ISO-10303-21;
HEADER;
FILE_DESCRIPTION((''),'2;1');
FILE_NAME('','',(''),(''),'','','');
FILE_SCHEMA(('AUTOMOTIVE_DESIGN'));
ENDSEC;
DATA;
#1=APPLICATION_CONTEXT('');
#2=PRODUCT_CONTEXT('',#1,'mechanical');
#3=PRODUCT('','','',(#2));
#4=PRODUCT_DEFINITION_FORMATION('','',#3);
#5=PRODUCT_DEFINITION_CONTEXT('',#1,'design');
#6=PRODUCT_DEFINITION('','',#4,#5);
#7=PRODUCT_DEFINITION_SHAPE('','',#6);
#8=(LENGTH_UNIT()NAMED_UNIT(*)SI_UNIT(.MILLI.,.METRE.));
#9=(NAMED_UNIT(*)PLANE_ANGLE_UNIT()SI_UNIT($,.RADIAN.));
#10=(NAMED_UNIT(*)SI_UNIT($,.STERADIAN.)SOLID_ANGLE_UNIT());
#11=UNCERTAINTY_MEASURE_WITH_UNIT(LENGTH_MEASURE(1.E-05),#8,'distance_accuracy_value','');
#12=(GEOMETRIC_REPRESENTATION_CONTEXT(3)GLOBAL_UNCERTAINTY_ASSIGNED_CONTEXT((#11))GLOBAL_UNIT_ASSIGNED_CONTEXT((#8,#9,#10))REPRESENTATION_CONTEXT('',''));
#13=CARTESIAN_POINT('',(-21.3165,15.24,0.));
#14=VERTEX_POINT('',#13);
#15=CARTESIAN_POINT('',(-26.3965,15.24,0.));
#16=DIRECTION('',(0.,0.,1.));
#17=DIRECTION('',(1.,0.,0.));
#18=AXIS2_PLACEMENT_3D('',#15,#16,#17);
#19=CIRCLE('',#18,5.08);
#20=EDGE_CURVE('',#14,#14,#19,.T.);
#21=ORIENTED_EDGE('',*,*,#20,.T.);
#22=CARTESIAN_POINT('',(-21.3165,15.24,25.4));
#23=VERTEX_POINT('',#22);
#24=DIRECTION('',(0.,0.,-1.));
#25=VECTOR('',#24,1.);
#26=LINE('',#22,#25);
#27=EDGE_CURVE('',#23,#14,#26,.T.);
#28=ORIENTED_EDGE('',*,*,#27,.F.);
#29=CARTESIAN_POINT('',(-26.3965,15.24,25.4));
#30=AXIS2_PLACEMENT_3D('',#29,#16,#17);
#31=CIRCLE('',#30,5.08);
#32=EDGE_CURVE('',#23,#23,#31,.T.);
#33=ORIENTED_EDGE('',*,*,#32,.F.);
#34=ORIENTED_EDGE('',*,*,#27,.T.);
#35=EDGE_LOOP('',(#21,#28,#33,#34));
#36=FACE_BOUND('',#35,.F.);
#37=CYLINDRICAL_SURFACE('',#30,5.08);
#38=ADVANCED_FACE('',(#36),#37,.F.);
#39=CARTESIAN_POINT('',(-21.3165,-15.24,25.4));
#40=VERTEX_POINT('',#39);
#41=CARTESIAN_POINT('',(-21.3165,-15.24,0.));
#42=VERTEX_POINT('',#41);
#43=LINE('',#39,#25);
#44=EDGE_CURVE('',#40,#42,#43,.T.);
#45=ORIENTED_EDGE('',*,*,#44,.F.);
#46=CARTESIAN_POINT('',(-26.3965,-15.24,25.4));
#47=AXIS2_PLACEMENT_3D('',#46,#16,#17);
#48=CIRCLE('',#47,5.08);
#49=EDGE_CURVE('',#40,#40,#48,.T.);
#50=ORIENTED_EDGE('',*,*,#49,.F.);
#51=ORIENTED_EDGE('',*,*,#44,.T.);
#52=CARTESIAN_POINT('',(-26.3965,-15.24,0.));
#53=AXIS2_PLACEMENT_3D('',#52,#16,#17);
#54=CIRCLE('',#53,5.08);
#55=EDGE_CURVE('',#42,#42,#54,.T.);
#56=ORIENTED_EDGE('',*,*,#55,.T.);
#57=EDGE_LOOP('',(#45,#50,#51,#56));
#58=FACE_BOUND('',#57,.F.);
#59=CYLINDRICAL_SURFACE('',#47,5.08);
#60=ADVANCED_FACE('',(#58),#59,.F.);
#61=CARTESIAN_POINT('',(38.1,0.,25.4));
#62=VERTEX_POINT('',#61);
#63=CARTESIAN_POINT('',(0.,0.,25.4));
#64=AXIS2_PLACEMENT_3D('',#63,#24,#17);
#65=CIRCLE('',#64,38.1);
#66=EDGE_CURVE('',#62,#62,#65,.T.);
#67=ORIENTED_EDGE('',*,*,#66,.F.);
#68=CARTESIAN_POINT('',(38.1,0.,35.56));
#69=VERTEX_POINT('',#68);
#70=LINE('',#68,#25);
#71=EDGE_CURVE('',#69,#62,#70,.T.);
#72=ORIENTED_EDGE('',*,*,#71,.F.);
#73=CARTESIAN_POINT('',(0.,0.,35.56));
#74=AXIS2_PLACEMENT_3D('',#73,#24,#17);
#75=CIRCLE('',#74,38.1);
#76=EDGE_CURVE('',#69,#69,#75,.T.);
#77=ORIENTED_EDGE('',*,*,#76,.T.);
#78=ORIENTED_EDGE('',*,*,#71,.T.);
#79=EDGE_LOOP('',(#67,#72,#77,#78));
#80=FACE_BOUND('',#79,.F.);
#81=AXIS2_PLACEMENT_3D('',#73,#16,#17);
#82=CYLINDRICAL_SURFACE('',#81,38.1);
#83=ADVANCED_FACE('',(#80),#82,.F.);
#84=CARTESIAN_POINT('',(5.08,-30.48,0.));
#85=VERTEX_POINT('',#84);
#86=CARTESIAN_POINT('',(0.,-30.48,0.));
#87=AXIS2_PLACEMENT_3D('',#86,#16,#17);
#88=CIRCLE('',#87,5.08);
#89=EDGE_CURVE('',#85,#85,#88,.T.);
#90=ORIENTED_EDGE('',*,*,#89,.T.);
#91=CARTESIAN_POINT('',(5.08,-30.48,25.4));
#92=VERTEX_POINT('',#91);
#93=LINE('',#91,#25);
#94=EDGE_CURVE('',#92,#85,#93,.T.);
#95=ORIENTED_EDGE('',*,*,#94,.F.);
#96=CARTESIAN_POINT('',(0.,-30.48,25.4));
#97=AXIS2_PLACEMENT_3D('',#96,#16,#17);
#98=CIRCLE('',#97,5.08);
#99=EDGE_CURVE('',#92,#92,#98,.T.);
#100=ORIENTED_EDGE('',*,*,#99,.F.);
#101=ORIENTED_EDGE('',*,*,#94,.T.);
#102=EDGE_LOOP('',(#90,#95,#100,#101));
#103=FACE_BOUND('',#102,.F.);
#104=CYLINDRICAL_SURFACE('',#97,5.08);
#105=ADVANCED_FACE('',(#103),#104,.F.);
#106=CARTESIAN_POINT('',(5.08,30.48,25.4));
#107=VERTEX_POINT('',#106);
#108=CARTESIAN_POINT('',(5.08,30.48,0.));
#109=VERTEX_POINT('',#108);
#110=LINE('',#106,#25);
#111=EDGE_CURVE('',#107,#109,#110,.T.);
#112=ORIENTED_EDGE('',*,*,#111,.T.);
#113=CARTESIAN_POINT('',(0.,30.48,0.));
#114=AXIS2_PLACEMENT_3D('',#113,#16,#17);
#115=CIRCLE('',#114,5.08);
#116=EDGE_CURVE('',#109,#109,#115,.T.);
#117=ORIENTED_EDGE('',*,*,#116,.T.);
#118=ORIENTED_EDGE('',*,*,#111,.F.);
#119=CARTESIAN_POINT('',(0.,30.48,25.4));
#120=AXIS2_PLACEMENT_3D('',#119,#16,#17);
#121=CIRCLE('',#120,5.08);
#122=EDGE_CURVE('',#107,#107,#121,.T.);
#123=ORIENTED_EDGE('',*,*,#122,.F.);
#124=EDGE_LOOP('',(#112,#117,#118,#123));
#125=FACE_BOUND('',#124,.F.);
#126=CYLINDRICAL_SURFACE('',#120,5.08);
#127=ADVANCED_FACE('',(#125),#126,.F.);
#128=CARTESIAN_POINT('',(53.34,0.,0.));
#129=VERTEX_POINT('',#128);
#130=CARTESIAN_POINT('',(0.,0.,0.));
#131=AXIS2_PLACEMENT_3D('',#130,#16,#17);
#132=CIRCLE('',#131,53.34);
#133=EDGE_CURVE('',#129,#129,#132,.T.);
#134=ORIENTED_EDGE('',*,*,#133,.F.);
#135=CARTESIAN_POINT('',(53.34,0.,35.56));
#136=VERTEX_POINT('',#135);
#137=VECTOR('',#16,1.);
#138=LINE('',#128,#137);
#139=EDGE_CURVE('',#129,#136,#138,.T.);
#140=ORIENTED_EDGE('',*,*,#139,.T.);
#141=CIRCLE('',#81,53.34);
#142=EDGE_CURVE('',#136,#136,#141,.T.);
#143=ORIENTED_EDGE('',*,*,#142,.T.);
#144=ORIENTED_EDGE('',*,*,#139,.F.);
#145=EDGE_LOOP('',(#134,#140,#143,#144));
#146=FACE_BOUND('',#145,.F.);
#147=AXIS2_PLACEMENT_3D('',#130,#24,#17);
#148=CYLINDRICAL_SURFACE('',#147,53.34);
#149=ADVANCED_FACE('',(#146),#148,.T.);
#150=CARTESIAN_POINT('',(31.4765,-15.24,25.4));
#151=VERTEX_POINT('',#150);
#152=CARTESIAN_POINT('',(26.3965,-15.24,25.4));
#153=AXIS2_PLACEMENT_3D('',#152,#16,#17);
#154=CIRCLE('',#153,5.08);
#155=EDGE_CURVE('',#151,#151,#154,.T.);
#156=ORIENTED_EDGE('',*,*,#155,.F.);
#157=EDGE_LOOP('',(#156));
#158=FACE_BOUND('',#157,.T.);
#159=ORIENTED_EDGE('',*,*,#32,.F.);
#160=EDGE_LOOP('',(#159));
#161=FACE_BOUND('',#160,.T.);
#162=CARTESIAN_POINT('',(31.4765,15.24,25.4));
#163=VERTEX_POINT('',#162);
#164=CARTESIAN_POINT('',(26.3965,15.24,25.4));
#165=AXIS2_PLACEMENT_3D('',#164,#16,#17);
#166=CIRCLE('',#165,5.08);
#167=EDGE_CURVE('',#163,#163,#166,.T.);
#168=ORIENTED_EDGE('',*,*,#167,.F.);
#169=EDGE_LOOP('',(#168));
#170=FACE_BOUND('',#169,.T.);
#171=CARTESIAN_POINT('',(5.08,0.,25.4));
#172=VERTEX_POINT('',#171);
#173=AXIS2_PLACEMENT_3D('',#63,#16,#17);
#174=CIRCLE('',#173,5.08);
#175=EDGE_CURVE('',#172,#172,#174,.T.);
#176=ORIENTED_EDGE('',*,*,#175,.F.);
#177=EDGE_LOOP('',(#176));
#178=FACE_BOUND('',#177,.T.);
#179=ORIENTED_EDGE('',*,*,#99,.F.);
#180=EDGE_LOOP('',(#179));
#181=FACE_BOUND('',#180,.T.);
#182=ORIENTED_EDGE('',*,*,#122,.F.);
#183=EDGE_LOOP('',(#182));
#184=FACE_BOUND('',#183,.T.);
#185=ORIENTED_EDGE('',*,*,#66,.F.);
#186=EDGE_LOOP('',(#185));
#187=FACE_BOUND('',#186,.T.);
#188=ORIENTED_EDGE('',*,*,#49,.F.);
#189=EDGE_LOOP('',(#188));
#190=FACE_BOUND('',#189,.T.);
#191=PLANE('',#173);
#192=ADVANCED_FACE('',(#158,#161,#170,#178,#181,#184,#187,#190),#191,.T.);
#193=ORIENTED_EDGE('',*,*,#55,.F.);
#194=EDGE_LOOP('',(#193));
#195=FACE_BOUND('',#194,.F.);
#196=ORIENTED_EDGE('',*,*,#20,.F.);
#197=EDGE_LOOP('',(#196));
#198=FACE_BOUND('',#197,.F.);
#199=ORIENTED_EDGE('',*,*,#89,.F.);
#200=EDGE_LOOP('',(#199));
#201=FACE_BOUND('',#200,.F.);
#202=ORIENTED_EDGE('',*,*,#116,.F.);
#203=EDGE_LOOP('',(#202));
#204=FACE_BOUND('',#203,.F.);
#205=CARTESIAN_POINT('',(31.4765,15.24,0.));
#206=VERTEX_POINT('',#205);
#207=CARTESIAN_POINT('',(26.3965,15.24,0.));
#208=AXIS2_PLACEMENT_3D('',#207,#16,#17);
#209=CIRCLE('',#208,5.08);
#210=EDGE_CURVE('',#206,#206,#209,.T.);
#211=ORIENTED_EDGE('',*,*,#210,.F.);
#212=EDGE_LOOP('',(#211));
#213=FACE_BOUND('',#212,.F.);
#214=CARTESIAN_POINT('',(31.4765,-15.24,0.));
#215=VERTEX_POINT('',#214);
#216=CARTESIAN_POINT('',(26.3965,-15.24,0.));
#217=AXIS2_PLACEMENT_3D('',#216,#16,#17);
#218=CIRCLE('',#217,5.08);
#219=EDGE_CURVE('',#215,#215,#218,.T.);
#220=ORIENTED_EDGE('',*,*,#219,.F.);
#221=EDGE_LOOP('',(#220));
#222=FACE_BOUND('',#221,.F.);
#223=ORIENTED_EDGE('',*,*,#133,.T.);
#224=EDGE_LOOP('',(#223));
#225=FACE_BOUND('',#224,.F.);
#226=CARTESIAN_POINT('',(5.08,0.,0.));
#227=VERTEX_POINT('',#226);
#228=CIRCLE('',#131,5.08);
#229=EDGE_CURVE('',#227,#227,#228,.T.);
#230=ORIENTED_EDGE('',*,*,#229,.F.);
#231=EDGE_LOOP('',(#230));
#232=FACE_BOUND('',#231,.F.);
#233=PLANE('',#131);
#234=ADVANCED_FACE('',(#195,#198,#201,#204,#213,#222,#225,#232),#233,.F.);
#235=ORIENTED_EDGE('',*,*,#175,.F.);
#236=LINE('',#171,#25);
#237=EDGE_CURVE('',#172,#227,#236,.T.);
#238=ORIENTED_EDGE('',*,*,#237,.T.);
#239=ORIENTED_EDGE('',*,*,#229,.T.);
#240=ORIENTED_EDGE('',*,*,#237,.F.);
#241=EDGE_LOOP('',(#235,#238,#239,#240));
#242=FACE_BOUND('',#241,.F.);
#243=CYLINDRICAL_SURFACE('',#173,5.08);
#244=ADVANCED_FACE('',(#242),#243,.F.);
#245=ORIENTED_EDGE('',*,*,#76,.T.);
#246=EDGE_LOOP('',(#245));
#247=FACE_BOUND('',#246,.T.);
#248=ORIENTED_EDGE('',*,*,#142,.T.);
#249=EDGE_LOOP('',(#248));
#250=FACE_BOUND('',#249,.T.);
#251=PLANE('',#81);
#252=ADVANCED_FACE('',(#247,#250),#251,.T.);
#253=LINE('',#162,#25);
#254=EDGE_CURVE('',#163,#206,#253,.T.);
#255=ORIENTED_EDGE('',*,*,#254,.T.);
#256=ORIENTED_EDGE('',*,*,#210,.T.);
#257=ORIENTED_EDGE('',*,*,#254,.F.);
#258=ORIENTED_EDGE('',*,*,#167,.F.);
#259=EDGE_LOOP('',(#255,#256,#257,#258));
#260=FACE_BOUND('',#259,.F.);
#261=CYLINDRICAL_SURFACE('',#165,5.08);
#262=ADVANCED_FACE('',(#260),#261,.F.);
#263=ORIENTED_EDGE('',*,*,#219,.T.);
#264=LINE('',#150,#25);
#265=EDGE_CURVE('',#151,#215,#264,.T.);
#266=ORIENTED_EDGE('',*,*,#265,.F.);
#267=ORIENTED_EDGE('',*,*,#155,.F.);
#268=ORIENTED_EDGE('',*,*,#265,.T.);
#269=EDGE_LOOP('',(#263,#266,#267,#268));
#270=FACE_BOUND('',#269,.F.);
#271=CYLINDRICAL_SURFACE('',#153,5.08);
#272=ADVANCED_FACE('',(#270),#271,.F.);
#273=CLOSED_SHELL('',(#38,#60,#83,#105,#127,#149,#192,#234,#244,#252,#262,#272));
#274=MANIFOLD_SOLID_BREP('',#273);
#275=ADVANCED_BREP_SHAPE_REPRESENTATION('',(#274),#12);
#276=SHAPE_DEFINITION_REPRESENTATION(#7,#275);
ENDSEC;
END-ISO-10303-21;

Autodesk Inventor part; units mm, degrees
ref_plane "YZ Plane" through (0, 0, 0) normal (1, 0, 0) x (0, 1, 0)
ref_plane "XZ Plane" through (0, 0, 0) normal (0, 1, 0) x (-1, 0, 0)
ref_plane "XY Plane" through (0, 0, 0) normal (0, 0, 1) x (1, 0, 0)
sketch "Sketch1" plane through (0, 0, 0) normal (0, 0, 1) x (1, 0, 0)
  circle A0 centre (0, 0) radius 53.34
  dimension "d0" = 106.68
extrude "Extrusion1" add sketch "Sketch1" along normal blind 35.56
sketch "Sketch2" plane through (0, 0, 35.56) normal (0, 0, 1) x (1, 0, 0)
  circle A0 centre (0, 0) radius 38.1
  dimension "d3" = 76.2
extrude "Extrusion2" cut sketch "Sketch2" against normal blind 10.16
sketch "Sketch3" plane through (0, 0, 25.4) normal (0, 0, 1) x (1, 0, 0)
  line L0 (-74.676, 0) -> (74.676, 0) construction
  line L1 (0, -74.676) -> (0, 74.676) construction
  circle A0 centre (0, 0) radius 30.48
  circle A1 centre (0, 30.48) radius 5.08
  circle A2 centre (-26.3965, 15.24) radius 5.08
  circle A3 centre (-26.3965, -15.24) radius 5.08
  circle A4 centre (0, -30.48) radius 5.08
  circle A5 centre (26.3965, -15.24) radius 5.08
  circle A6 centre (26.3965, 15.24) radius 5.08
  circle A7 centre (0, 0) radius 5.08
  dimension "d6" = 60.96
  dimension "d7" = 10.16
  dimension "d10" = 360
  dimension "d14" = 10.16
extrude "Extrusion3" cut sketch "Sketch3" against normal through all contours A6 A0 | A0 A6 | A5 A0 | A0 A5 | A1 A0 | A0 A1 | A4 A0 | A0 A4 | A2 A0 | A0 A2 | A3 A0 | A0 A3 | A7
sketch "Sketch4" plane through (0, 0, 0) normal (1, 0, 0) x (0, 1, 0)
  line L0 (-38.1, 25.4) -> (38.1, 25.4) projected
  line L1 (53.34, 35.56) -> (-53.34, 35.56) projected
  line L2 (53.34, 0) -> (-53.34, 0) projected
  line L3 (-5.08, 25.4) -> (-5.08, 0) projected
  line L4 (-5.08, 0) -> (-25.4, 0) projected
  line L5 (-25.4, 0) -> (-25.4, 25.4) projected
  line L6 (-25.4, 25.4) -> (-5.08, 25.4) projected
  line L7 (5.08, 0) -> (5.08, 25.4) projected
  line L8 (5.08, 25.4) -> (25.4, 25.4) projected
  line L9 (25.4, 25.4) -> (25.4, 0) projected
  line L10 (25.4, 0) -> (5.08, 0) projected
  line L11 (53.34, 35.56) -> (53.34, 0) projected
  line L12 (53.34, 0) -> (35.56, 0) projected
  line L13 (35.56, 0) -> (35.56, 25.4) projected
  line L14 (35.56, 25.4) -> (38.1, 25.4) projected
  line L15 (38.1, 25.4) -> (38.1, 35.56) projected
  line L16 (38.1, 35.56) -> (53.34, 35.56) projected
  line L17 (-53.34, 0) -> (-53.34, 35.56) projected
  line L18 (-53.34, 35.56) -> (-38.1, 35.56) projected
  line L19 (-38.1, 35.56) -> (-38.1, 25.4) projected
  line L20 (-38.1, 25.4) -> (-35.56, 25.4) projected
  line L21 (-35.56, 25.4) -> (-35.56, 0) projected
  line L22 (-35.56, 0) -> (-53.34, 0) projected
  line L23 (-5.08, 25.4) -> (-5.08, 0) projected
  line L24 (-5.08, 0) -> (-25.4, 0) projected
  line L25 (-25.4, 0) -> (-25.4, 25.4) projected
  line L26 (-25.4, 25.4) -> (-5.08, 25.4) projected
  line L27 (5.08, 0) -> (5.08, 25.4) projected
  line L28 (5.08, 25.4) -> (25.4, 25.4) projected
  line L29 (25.4, 25.4) -> (25.4, 0) projected
  line L30 (25.4, 0) -> (5.08, 0) projected
  line L31 (53.34, 35.56) -> (53.34, 0) projected
  line L32 (53.34, 0) -> (35.56, 0) projected
  line L33 (35.56, 0) -> (35.56, 25.4) projected
  line L34 (35.56, 25.4) -> (38.1, 25.4) projected
  line L35 (38.1, 25.4) -> (38.1, 35.56) projected
  line L36 (38.1, 35.56) -> (53.34, 35.56) projected
  line L37 (-53.34, 0) -> (-53.34, 35.56) projected
  line L38 (-53.34, 35.56) -> (-38.1, 35.56) projected
  line L39 (-38.1, 35.56) -> (-38.1, 25.4) projected
  line L40 (-38.1, 25.4) -> (-35.56, 25.4) projected
  line L41 (-35.56, 25.4) -> (-35.56, 0) projected
  line L42 (-35.56, 0) -> (-53.34, 0) projected
  line L43 (-5.08, 25.4) -> (-5.08, 0) projected
  line L44 (-5.08, 0) -> (-25.4, 0) projected
  line L45 (-25.4, 0) -> (-25.4, 25.4) projected
  line L46 (-25.4, 25.4) -> (-5.08, 25.4) projected
  line L47 (5.08, 0) -> (5.08, 25.4) projected
  line L48 (5.08, 25.4) -> (25.4, 25.4) projected
  line L49 (25.4, 25.4) -> (25.4, 0) projected
  line L50 (25.4, 0) -> (5.08, 0) projected
  line L51 (53.34, 35.56) -> (53.34, 0) projected
  line L52 (53.34, 0) -> (35.56, 0) projected
  line L53 (35.56, 0) -> (35.56, 25.4) projected
  line L54 (35.56, 25.4) -> (38.1, 25.4) projected
  line L55 (38.1, 25.4) -> (38.1, 35.56) projected
  line L56 (38.1, 35.56) -> (53.34, 35.56) projected
  line L57 (-53.34, 0) -> (-53.34, 35.56) projected
  line L58 (-53.34, 35.56) -> (-38.1, 35.56) projected
  line L59 (-38.1, 35.56) -> (-38.1, 25.4) projected
  line L60 (-38.1, 25.4) -> (-35.56, 25.4) projected
  line L61 (-35.56, 25.4) -> (-35.56, 0) projected
  line L62 (-35.56, 0) -> (-53.34, 0) projected
  line L63 (53.34, 35.56) -> (-53.34, 35.56) projected
  line L64 (53.34, 0) -> (-53.34, 0) projected
  line L65 (53.34, 0) -> (-53.34, 0) construction
  line L66 (12.7, 0) -> (12.7, 35.56) construction
  line L67 (-12.7, 0) -> (-12.7, 35.56) construction
  line L68 (0, -7.112) -> (0, 42.672) projected
  line L69 (48.26, 0) -> (12.7, 0)
  line L70 (12.7, 0) -> (12.7, 10.16)
  line L71 (12.7, 10.16) -> (48.26, 10.16)
  line L72 (48.26, 10.16) -> (48.26, 0)
  point P0 (0, 0)
  point P1 (0, 35.56)
  point P2 (0, 25.4)
  dimension "d15" = 25.4
  dimension "d16" = 10.16
  dimension "d17" = 5.08
  dimension "d18" = 7.62
revolve "Revolution1" cut sketch "Sketch4" angle 360 about axis through (0, 0, -10) along (0, 0, 1) contours L1 L15 L0 L68
equation "\"BendRadius\" = Thickness"
equation "\"BendReliefWidth\" = Thickness"
equation "\"BendReliefDepth\" = 0.5 * Thickness"
equation "\"CornerReliefSize\" = 4 * Thickness"
equation "\"MinimumRemnant\" = 2 * Thickness"
equation "\"TransitionRadius\" = BendRadius"
equation "\"JacobiRadiusSize\" = BendRadius"
equation "\"GapSize\" = Thickness"
equation "\"Thickness\" = 3.048"
properties part number "valve" material "Brass, Soft Yellow"
